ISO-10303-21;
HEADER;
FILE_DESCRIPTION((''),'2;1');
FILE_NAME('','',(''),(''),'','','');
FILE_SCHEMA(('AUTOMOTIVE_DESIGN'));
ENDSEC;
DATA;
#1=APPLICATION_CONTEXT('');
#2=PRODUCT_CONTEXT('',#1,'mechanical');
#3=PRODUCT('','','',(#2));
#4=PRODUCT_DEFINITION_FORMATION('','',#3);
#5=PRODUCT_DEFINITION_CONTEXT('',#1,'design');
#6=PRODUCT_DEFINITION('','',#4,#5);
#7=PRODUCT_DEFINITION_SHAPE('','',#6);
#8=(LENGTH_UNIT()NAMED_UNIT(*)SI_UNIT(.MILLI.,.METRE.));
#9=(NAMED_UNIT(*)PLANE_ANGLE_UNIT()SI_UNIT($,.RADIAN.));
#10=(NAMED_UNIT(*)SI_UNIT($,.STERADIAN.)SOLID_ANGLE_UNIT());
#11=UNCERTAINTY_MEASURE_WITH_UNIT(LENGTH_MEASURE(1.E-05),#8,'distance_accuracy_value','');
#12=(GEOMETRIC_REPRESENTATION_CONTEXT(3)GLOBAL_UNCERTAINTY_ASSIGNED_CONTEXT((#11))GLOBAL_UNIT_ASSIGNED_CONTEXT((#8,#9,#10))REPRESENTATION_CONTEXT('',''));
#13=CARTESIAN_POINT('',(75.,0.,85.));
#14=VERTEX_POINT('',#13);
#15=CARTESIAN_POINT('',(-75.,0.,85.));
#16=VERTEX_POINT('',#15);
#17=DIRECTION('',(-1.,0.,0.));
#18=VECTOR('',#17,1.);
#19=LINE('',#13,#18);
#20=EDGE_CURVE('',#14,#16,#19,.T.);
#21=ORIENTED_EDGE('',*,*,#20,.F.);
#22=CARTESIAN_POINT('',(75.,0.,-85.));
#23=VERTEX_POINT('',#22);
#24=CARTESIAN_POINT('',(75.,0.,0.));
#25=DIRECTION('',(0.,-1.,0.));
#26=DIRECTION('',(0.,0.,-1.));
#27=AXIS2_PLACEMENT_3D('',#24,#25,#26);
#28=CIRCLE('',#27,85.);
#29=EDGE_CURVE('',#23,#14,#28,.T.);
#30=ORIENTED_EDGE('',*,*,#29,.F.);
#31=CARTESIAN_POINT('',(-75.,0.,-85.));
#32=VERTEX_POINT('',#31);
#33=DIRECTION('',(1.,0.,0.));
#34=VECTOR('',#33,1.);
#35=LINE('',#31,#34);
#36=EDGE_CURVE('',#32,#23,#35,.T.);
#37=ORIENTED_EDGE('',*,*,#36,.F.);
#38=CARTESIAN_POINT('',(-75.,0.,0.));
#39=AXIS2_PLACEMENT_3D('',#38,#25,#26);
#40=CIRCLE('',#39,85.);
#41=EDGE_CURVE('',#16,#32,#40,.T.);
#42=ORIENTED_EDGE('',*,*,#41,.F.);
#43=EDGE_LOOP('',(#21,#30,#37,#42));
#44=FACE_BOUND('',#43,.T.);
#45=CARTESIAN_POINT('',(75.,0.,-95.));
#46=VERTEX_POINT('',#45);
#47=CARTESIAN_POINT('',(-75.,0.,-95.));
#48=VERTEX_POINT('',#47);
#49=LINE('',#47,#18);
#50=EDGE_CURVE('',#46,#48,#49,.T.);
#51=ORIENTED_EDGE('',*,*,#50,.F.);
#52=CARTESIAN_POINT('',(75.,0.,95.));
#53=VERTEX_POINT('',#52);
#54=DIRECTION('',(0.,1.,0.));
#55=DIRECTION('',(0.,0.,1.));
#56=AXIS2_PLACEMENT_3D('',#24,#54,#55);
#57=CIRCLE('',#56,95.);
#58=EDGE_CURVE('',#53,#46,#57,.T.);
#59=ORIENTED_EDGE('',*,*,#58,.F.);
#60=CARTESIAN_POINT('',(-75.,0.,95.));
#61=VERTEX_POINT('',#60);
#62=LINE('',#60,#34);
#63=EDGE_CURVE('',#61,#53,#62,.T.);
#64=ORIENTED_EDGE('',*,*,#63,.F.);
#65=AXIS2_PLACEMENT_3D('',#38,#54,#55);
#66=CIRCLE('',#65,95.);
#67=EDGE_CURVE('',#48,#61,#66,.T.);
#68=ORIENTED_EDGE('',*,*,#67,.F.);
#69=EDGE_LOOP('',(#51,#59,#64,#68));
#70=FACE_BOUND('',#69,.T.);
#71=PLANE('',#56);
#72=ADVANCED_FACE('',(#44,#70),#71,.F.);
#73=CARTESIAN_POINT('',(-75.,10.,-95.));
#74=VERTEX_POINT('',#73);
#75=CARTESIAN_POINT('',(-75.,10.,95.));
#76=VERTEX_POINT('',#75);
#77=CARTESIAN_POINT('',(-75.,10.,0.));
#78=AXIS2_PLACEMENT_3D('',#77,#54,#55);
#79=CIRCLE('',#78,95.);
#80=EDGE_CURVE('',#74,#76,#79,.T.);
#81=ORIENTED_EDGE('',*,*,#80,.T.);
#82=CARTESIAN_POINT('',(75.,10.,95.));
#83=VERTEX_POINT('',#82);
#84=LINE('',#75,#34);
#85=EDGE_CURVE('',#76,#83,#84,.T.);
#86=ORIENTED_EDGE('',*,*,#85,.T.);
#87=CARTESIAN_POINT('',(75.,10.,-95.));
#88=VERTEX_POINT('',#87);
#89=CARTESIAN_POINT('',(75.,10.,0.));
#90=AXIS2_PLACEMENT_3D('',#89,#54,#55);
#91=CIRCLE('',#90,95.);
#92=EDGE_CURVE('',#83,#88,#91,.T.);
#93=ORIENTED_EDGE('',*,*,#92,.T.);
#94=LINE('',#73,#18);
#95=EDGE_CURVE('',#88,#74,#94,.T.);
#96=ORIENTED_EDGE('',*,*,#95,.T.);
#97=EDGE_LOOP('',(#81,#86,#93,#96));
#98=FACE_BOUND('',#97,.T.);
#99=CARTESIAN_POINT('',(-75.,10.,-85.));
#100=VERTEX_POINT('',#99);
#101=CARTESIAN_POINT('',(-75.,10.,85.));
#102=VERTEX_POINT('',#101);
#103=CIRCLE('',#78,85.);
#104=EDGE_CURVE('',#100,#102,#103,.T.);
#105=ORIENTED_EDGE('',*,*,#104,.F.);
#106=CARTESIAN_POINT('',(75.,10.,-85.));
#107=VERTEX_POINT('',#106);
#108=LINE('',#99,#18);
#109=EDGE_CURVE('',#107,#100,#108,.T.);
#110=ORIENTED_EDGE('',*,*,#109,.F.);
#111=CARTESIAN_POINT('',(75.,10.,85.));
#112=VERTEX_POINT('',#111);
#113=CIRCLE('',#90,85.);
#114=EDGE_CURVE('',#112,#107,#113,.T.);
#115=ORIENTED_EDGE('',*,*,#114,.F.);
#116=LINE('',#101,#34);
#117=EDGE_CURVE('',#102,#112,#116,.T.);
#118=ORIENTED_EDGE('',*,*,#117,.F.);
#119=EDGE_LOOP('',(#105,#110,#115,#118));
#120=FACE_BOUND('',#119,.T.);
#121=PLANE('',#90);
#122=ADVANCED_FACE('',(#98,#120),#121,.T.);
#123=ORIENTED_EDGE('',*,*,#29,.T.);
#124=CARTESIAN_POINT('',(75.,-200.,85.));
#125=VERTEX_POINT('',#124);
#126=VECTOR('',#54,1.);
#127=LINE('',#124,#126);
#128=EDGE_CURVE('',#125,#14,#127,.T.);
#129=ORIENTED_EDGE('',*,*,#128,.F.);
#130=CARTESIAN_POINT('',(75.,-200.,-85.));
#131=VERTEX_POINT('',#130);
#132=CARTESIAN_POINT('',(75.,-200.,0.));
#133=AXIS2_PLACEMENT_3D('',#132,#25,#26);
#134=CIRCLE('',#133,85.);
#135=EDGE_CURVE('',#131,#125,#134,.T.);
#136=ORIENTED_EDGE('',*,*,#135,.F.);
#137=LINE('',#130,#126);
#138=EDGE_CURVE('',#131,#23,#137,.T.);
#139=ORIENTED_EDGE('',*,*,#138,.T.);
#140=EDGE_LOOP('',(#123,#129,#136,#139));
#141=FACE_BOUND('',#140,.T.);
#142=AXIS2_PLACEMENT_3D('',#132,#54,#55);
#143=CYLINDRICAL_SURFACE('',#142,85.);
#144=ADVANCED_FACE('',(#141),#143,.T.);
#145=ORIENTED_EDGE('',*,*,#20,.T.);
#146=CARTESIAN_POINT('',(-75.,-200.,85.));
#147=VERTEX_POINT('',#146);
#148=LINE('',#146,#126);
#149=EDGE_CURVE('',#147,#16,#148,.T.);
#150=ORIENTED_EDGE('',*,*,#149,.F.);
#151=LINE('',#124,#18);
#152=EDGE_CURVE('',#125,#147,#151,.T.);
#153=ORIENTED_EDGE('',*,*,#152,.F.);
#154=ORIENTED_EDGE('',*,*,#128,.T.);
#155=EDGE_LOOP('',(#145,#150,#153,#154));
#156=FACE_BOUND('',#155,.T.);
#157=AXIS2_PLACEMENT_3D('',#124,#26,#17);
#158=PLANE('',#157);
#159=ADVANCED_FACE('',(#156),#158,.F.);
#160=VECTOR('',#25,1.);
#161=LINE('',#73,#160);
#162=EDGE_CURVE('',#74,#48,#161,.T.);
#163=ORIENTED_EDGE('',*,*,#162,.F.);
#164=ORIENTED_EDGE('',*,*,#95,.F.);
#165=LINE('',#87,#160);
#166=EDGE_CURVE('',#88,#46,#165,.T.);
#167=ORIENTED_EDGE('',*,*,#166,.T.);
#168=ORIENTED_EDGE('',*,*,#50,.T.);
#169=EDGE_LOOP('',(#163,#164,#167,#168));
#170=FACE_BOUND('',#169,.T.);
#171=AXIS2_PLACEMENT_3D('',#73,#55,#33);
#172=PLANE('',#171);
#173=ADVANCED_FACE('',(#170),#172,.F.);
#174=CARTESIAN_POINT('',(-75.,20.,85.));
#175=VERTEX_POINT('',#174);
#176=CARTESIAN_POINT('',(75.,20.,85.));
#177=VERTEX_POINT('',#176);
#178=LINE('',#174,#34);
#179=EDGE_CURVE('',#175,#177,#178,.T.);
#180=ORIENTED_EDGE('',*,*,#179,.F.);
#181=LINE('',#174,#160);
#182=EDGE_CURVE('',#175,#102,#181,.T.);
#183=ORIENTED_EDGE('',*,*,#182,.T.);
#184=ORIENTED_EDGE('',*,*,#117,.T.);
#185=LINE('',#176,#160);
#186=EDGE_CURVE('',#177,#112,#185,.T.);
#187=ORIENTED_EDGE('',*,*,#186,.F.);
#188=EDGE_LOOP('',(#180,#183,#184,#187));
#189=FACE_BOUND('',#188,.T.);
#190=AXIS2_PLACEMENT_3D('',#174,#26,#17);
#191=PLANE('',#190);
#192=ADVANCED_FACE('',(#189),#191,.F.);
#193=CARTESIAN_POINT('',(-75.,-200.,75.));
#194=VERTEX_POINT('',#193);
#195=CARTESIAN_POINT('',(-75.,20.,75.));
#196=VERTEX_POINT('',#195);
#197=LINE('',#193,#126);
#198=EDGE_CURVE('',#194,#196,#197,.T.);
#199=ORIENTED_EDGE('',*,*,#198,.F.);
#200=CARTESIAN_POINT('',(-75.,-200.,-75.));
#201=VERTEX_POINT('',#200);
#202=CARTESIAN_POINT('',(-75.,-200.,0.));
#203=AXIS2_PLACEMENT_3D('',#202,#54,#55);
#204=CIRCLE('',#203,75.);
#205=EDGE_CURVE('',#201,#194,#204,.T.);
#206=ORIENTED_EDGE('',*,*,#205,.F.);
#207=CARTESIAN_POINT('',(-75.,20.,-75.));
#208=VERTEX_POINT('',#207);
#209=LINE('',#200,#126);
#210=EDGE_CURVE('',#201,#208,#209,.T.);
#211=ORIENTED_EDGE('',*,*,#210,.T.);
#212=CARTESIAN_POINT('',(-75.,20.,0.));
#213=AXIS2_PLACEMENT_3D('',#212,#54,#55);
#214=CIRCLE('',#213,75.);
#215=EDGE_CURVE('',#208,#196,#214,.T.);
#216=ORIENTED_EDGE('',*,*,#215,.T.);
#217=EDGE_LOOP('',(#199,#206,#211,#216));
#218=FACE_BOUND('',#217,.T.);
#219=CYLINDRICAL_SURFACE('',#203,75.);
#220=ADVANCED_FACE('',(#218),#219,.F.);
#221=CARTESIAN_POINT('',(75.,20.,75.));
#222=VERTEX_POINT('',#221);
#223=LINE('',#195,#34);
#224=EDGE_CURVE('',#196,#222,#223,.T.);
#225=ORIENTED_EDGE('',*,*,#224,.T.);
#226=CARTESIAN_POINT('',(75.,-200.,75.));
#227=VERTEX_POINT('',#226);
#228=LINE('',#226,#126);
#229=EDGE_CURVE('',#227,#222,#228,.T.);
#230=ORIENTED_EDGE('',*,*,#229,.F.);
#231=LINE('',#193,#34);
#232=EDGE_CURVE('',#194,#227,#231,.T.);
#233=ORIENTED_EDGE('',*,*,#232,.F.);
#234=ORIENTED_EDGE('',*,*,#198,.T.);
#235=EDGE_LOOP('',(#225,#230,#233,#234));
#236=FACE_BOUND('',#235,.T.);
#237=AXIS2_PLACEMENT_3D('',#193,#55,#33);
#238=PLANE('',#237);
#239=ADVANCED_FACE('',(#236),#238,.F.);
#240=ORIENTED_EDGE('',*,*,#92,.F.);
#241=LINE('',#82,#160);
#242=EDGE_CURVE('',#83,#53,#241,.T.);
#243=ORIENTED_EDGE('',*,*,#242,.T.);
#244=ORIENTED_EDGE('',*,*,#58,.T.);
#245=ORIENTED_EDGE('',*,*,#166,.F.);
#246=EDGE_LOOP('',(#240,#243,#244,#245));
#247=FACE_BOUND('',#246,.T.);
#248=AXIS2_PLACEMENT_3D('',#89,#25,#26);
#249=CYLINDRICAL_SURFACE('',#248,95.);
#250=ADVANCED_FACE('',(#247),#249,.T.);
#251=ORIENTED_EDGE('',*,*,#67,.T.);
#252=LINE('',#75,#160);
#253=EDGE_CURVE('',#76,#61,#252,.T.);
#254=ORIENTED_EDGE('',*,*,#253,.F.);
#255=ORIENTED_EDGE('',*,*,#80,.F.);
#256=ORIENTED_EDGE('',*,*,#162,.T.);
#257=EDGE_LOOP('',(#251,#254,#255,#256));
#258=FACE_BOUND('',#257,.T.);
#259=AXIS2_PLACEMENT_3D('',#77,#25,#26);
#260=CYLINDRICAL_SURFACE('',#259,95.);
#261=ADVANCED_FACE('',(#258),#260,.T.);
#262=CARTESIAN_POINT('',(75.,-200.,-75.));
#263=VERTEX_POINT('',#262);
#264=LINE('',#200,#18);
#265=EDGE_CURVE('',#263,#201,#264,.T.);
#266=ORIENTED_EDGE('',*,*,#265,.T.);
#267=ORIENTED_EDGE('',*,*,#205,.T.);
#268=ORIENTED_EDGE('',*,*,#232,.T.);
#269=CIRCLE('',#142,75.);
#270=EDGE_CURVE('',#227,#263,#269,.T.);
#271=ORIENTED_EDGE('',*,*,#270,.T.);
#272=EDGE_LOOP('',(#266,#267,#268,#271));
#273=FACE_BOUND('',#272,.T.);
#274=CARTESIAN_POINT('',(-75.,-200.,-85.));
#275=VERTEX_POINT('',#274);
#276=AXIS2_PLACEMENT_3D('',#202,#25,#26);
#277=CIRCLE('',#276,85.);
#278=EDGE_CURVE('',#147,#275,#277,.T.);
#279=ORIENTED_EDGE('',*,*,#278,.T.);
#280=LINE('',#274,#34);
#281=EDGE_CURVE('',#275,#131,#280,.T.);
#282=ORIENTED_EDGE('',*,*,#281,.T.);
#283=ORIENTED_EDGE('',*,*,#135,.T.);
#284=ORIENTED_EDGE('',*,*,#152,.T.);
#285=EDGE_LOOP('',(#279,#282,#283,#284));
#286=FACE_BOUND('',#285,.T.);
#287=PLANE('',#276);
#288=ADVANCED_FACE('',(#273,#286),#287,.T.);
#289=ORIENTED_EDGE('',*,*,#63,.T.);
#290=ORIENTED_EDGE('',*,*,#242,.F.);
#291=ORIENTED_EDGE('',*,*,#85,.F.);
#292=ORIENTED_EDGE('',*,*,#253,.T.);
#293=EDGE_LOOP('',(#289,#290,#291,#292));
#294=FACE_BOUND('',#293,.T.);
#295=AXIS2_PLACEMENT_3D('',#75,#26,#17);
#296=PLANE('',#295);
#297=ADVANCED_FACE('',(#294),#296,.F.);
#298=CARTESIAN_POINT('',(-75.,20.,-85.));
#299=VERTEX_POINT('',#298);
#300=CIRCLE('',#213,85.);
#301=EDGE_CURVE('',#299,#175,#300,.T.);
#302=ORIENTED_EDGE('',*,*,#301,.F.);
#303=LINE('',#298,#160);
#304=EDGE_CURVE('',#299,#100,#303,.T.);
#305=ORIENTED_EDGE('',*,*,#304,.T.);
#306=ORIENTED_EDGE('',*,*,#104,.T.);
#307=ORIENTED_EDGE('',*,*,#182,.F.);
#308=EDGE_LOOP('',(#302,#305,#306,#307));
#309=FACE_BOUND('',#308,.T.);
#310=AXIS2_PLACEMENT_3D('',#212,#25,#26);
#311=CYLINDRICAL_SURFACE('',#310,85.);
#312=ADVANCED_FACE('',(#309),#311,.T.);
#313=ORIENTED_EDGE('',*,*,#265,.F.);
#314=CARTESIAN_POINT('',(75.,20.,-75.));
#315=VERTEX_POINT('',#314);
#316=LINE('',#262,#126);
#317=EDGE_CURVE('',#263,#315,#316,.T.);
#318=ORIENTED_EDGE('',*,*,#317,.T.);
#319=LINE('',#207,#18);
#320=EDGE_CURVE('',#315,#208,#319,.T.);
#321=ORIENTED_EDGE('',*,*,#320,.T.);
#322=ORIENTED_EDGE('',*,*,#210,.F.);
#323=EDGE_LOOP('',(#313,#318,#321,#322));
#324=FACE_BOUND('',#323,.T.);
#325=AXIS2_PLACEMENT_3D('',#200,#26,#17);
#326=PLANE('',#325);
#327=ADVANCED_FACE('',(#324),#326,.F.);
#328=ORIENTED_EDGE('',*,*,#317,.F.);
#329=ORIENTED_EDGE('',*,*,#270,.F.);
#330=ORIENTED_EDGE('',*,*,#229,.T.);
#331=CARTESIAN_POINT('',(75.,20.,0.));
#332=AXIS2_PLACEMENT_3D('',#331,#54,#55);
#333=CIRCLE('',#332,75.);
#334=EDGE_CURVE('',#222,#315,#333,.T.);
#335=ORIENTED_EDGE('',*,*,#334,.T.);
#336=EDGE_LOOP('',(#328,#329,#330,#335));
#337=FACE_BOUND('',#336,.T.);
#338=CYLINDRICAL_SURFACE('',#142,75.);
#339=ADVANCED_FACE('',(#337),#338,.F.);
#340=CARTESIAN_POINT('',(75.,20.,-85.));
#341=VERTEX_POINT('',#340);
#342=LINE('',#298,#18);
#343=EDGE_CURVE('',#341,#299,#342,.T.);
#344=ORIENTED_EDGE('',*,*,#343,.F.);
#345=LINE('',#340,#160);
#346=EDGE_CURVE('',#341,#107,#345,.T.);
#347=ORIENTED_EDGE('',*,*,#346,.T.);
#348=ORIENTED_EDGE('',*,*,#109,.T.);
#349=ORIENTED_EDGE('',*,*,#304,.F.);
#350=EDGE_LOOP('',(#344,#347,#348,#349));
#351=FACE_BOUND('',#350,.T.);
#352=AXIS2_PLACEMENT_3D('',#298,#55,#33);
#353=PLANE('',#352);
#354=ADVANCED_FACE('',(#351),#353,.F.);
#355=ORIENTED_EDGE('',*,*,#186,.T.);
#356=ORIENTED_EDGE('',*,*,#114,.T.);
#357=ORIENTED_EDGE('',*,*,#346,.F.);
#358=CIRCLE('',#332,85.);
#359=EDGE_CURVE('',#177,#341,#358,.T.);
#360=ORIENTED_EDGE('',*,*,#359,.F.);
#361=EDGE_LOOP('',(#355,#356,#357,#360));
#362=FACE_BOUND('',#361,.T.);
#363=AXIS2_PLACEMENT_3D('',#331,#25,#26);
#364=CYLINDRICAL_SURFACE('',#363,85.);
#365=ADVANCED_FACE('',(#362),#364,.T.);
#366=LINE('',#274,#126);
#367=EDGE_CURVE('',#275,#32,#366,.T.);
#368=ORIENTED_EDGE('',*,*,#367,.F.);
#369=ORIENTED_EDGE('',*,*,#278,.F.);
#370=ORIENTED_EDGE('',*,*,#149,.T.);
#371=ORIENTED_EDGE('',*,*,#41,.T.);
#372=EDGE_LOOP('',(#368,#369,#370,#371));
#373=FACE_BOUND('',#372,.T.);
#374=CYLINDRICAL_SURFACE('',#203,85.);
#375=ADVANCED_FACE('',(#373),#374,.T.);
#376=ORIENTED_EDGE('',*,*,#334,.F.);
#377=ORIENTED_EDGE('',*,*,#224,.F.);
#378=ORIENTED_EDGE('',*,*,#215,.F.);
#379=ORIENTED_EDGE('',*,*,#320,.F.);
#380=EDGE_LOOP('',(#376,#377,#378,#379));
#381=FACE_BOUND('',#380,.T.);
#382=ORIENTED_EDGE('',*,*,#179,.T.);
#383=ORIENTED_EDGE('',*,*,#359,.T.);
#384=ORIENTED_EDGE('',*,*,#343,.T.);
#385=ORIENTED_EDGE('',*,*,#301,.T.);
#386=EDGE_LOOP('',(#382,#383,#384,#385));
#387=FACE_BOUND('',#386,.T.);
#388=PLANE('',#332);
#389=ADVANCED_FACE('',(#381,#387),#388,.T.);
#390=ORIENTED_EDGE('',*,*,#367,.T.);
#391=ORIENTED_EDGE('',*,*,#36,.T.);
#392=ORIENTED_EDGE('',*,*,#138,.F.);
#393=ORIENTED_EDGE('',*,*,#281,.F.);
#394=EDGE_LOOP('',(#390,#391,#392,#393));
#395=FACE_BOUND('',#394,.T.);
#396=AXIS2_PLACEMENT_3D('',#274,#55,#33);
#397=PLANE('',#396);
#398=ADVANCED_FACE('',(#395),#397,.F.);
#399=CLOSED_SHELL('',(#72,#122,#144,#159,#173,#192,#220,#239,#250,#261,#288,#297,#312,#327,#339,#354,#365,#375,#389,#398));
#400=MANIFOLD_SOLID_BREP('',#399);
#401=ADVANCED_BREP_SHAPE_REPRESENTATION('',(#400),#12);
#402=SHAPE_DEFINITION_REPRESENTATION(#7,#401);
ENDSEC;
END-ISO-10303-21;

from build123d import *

# Parameters (mm, degrees)
EXTRUDE_1_DEPTH     = 10
EXTRUDE_2_DEPTH     = 10
EXTRUDE_START       = 200
EXTRUDE_3_DEPTH     = 200
CUT_EXTRUDE_1_DEPTH = 294.811163845


with BuildPart() as part:
    # 草图1 → 凸台-拉伸1 (new body)
    with BuildSketch(Plane(origin=(0, 0, 0), x_dir=(1, 0, 0), z_dir=(0, 1, 0))):
        with BuildLine():
            Line((-75, 95), (75, 95))
            ThreePointArc((75, 95), (170, 0), (75, -95))
            Line((75, -95), (-75, -95))
            ThreePointArc((-75, -95), (-170, 0), (-75, 95))
        make_face()
    extrude(amount=EXTRUDE_1_DEPTH)

    # 草图2 → 凸台-拉伸2 (add)
    with BuildSketch(Plane(origin=(0, 10, 0), x_dir=(1, 0, 0), z_dir=(0, 1, 0))):
        with BuildLine():
            Line((-75, 85), (75, 85))
            ThreePointArc((75, 85), (160, 0), (75, -85))
            Line((75, -85), (-75, -85))
            ThreePointArc((-75, -85), (-160, 0), (-75, 85))
        make_face()
    extrude(amount=EXTRUDE_2_DEPTH)

    # 草图3 → 凸台-拉伸3 (add)
    with BuildSketch(Plane.XZ.offset(EXTRUDE_START)):
        with BuildLine():
            Line((-75, -85), (75, -85))
            ThreePointArc((75, -85), (160, 0), (75, 85))
            Line((75, 85), (-75, 85))
            ThreePointArc((-75, 85), (-160, 0), (-75, -85))
        make_face()
    extrude(amount=-EXTRUDE_3_DEPTH)

    # 草图4 → 切除-拉伸1 (cut, through all)
    with BuildSketch(Plane(origin=(0, 20, 0), x_dir=(1, 0, 0), z_dir=(0, 1, 0))):
        with BuildLine():
            Line((-75, 75), (75, 75))
            ThreePointArc((75, 75), (150, 0), (75, -75))
            Line((75, -75), (-75, -75))
            ThreePointArc((-75, -75), (-150, 0), (-75, 75))
        make_face()
    extrude(amount=-CUT_EXTRUDE_1_DEPTH, mode=Mode.SUBTRACT)


solid = part.part
